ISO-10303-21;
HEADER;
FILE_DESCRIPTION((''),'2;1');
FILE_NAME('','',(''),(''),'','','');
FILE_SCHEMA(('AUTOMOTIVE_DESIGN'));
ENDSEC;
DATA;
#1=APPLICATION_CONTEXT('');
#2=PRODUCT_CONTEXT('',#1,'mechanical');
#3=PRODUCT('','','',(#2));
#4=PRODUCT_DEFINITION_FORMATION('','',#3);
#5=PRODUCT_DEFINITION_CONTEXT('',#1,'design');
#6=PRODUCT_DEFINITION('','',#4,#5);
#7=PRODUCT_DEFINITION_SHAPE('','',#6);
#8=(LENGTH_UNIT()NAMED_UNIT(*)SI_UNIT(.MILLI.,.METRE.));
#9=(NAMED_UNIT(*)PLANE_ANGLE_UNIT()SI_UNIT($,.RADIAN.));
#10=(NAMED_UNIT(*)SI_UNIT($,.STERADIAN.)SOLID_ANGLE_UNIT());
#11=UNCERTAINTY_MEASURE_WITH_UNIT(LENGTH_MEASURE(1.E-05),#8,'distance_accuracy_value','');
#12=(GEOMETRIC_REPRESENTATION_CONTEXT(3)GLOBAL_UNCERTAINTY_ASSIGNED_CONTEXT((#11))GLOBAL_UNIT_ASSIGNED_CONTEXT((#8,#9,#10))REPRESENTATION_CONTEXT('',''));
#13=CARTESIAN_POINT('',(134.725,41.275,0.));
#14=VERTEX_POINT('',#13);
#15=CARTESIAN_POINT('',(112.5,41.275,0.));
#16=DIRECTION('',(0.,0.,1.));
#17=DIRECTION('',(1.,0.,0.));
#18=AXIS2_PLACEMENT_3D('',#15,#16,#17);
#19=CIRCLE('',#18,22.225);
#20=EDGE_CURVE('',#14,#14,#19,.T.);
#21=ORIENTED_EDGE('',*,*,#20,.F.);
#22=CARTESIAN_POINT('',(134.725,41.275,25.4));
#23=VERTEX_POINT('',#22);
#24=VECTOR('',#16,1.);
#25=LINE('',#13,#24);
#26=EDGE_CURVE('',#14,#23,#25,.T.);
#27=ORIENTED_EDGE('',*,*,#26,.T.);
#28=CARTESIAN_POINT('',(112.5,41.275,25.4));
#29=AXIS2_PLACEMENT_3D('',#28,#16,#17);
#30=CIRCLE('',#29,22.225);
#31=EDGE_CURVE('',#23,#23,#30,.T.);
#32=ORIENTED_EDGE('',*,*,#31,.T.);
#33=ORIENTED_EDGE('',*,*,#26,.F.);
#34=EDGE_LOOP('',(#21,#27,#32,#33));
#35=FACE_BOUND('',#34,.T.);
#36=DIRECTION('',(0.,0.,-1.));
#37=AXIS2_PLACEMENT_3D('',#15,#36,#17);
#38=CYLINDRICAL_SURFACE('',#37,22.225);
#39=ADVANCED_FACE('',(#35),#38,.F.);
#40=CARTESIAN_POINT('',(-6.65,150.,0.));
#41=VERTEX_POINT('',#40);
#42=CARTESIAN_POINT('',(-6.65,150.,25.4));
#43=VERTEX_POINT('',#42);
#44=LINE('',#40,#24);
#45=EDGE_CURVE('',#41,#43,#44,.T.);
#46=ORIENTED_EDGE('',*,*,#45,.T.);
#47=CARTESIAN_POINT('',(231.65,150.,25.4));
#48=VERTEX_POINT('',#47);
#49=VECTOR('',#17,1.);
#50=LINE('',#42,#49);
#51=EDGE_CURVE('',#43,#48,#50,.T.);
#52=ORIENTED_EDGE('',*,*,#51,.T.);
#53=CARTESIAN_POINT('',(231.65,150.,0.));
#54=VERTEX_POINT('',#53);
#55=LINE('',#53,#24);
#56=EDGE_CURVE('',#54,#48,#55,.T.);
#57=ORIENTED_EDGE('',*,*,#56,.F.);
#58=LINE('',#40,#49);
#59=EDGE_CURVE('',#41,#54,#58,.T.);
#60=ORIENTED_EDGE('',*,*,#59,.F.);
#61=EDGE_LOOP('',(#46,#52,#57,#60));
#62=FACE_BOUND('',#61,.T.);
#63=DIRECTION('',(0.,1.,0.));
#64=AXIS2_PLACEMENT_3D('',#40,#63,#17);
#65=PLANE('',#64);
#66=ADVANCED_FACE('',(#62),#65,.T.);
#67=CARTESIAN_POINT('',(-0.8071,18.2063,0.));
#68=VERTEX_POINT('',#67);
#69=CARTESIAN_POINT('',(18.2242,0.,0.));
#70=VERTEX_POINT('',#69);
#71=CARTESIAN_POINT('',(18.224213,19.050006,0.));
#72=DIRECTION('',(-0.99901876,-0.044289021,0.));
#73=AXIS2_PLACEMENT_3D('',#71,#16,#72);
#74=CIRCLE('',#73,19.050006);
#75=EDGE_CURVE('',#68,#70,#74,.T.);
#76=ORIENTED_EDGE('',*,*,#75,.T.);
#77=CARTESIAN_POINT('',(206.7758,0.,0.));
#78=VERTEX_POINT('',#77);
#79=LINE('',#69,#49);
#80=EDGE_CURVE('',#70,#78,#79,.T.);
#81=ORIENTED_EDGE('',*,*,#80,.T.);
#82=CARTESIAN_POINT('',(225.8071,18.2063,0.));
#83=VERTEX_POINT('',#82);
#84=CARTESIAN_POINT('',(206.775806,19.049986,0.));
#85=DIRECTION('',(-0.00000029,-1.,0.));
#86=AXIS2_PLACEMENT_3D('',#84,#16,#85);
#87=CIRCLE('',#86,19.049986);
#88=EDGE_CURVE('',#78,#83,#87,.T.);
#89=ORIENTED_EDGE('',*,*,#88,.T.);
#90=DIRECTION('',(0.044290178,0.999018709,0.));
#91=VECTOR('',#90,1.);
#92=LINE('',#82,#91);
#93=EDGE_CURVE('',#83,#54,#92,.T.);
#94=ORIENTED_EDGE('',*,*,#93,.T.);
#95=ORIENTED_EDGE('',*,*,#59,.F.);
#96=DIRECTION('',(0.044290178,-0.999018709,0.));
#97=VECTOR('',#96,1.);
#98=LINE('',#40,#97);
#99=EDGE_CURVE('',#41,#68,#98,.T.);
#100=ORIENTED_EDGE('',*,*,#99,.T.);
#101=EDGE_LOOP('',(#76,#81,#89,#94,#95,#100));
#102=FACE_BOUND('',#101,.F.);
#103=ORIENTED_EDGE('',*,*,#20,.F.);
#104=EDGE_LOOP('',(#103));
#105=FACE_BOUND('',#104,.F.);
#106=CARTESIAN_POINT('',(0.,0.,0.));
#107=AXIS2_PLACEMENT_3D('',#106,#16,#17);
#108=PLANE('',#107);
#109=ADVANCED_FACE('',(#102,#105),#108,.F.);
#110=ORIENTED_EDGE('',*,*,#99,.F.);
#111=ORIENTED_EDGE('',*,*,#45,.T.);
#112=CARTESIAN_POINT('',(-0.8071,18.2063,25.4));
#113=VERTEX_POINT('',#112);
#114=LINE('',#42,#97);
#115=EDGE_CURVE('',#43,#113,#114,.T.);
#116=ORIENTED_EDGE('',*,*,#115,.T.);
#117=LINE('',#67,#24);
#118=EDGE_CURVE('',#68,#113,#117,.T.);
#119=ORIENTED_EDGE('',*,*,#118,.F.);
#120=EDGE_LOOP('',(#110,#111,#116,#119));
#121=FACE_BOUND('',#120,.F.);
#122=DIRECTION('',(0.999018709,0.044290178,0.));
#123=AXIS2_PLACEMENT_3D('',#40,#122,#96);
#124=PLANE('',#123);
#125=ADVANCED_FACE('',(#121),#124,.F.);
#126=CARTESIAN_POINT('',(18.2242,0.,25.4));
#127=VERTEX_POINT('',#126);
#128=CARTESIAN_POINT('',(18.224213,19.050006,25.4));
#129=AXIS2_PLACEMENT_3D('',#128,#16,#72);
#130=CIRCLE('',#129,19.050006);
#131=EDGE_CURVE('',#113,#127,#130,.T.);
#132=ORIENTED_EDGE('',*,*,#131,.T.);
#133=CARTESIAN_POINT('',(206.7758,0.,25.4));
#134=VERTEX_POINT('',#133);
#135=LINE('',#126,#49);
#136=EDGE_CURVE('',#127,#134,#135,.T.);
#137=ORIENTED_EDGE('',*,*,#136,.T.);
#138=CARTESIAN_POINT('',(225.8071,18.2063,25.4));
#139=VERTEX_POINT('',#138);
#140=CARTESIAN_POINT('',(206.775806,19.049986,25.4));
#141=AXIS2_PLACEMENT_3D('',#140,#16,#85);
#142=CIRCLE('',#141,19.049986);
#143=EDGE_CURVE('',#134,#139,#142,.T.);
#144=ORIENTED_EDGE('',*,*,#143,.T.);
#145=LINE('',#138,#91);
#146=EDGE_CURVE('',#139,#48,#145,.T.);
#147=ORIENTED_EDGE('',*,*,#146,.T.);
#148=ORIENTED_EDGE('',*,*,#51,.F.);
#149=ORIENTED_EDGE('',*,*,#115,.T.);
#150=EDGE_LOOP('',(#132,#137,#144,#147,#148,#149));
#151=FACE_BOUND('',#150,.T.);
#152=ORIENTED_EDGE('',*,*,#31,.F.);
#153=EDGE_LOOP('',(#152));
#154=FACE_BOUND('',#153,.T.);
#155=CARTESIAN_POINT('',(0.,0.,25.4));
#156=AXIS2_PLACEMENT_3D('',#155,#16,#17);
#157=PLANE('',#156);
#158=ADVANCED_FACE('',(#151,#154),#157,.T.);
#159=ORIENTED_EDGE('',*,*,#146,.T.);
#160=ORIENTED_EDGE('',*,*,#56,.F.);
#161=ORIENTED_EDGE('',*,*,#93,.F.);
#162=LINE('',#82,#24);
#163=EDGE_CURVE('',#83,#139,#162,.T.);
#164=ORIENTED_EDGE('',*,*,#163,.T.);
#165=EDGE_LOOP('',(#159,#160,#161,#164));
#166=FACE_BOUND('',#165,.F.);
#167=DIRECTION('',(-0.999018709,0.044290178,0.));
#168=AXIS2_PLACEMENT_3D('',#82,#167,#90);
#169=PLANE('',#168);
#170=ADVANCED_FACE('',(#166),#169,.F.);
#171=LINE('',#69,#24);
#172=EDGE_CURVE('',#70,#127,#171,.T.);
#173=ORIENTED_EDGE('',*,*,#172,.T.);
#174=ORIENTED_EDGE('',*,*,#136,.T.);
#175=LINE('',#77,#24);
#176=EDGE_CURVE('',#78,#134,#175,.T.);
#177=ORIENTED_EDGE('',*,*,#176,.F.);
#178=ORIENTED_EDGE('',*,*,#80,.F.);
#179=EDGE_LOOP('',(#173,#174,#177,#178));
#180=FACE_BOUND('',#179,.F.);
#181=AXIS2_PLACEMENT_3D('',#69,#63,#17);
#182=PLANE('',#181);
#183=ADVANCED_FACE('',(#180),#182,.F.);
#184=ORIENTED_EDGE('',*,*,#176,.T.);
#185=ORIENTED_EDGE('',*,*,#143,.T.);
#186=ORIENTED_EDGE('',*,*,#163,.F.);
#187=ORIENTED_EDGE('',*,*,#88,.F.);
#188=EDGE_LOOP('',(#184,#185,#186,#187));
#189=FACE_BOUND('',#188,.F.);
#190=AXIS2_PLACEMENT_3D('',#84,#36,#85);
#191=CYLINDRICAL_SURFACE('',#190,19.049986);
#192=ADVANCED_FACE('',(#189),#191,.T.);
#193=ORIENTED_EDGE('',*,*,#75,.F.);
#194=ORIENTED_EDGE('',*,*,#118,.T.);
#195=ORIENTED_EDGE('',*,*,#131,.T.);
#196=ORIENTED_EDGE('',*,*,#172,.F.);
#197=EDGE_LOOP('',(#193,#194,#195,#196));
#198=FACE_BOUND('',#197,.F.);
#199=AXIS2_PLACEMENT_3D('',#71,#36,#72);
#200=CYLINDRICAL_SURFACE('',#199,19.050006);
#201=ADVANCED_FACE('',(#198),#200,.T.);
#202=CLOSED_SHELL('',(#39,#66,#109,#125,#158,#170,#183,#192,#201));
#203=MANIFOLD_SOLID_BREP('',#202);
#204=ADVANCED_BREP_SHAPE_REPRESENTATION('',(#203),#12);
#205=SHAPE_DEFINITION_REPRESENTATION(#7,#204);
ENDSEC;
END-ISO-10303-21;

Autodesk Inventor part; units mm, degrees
ref_plane "YZ Plane" through (0, 0, 0) normal (1, 0, 0) x (0, 1, 0)
ref_plane "XZ Plane" through (0, 0, 0) normal (0, 1, 0) x (-1, 0, 0)
ref_plane "XY Plane" through (0, 0, 0) normal (0, 0, 1) x (1, 0, 0)
sketch "Sketch1" plane through (0, 0, 0) normal (0, 0, 1) x (1, 0, 0)
  line L0 (18.2242, 0) -> (206.7758, 0)
  line L1 (-6.65, 150) -> (231.65, 150)
  line L2 (-6.65, 150) -> (-0.8071, 18.2063)
  line L3 (225.8071, 18.2063) -> (231.65, 150)
  arc A0 (-0.8071, 18.2063) -> (18.2242, 0) centre (18.2242, 19.05) ccw
  arc A1 (206.7758, 0) -> (225.8071, 18.2063) centre (206.7758, 19.05) ccw
  circle A2 centre (112.5, 41.275) radius 22.225
  point P0 (0, 0)
  point P1 (225, 0)
  point P2 (112.5, 0)
  point P3 (112.5, 150)
  dimension "d0" = 225
  dimension "d1" = 150
  dimension "d2" = 238.3
  dimension "d4" = 19.05
  dimension "d11" = 0
  dimension "d12" = 44.45
  dimension "d13" = 41.275
extrude "Extrusion1" add sketch "Sketch1" along normal blind 25.4
sketch "Sketch2" plane through (0, 0, 25.4) normal (0, 0, 1) x (1, 0, 0)
  line L0 (243.0343, 163.5066) -> (27.3006, 163.5066)
  line L1 (27.3006, 163.5066) -> (27.3006, 18.9917)
  line L2 (27.3006, 18.9917) -> (243.0343, 18.9917)
  line L3 (243.0343, 18.9917) -> (243.0343, 163.5066)
  line L4 (27.1522, 18.9917) -> (243.0343, 18.9917)
  line L5 (243.0343, 18.9917) -> (243.0343, -17.0628)
  line L6 (243.0343, -17.0628) -> (27.1522, -17.0628)
  line L7 (27.1522, -17.0628) -> (27.1522, 18.9917)
  point P0 (0, 0)
extrude "Test" [suppressed]
properties part number "Divider_3DPrint"
